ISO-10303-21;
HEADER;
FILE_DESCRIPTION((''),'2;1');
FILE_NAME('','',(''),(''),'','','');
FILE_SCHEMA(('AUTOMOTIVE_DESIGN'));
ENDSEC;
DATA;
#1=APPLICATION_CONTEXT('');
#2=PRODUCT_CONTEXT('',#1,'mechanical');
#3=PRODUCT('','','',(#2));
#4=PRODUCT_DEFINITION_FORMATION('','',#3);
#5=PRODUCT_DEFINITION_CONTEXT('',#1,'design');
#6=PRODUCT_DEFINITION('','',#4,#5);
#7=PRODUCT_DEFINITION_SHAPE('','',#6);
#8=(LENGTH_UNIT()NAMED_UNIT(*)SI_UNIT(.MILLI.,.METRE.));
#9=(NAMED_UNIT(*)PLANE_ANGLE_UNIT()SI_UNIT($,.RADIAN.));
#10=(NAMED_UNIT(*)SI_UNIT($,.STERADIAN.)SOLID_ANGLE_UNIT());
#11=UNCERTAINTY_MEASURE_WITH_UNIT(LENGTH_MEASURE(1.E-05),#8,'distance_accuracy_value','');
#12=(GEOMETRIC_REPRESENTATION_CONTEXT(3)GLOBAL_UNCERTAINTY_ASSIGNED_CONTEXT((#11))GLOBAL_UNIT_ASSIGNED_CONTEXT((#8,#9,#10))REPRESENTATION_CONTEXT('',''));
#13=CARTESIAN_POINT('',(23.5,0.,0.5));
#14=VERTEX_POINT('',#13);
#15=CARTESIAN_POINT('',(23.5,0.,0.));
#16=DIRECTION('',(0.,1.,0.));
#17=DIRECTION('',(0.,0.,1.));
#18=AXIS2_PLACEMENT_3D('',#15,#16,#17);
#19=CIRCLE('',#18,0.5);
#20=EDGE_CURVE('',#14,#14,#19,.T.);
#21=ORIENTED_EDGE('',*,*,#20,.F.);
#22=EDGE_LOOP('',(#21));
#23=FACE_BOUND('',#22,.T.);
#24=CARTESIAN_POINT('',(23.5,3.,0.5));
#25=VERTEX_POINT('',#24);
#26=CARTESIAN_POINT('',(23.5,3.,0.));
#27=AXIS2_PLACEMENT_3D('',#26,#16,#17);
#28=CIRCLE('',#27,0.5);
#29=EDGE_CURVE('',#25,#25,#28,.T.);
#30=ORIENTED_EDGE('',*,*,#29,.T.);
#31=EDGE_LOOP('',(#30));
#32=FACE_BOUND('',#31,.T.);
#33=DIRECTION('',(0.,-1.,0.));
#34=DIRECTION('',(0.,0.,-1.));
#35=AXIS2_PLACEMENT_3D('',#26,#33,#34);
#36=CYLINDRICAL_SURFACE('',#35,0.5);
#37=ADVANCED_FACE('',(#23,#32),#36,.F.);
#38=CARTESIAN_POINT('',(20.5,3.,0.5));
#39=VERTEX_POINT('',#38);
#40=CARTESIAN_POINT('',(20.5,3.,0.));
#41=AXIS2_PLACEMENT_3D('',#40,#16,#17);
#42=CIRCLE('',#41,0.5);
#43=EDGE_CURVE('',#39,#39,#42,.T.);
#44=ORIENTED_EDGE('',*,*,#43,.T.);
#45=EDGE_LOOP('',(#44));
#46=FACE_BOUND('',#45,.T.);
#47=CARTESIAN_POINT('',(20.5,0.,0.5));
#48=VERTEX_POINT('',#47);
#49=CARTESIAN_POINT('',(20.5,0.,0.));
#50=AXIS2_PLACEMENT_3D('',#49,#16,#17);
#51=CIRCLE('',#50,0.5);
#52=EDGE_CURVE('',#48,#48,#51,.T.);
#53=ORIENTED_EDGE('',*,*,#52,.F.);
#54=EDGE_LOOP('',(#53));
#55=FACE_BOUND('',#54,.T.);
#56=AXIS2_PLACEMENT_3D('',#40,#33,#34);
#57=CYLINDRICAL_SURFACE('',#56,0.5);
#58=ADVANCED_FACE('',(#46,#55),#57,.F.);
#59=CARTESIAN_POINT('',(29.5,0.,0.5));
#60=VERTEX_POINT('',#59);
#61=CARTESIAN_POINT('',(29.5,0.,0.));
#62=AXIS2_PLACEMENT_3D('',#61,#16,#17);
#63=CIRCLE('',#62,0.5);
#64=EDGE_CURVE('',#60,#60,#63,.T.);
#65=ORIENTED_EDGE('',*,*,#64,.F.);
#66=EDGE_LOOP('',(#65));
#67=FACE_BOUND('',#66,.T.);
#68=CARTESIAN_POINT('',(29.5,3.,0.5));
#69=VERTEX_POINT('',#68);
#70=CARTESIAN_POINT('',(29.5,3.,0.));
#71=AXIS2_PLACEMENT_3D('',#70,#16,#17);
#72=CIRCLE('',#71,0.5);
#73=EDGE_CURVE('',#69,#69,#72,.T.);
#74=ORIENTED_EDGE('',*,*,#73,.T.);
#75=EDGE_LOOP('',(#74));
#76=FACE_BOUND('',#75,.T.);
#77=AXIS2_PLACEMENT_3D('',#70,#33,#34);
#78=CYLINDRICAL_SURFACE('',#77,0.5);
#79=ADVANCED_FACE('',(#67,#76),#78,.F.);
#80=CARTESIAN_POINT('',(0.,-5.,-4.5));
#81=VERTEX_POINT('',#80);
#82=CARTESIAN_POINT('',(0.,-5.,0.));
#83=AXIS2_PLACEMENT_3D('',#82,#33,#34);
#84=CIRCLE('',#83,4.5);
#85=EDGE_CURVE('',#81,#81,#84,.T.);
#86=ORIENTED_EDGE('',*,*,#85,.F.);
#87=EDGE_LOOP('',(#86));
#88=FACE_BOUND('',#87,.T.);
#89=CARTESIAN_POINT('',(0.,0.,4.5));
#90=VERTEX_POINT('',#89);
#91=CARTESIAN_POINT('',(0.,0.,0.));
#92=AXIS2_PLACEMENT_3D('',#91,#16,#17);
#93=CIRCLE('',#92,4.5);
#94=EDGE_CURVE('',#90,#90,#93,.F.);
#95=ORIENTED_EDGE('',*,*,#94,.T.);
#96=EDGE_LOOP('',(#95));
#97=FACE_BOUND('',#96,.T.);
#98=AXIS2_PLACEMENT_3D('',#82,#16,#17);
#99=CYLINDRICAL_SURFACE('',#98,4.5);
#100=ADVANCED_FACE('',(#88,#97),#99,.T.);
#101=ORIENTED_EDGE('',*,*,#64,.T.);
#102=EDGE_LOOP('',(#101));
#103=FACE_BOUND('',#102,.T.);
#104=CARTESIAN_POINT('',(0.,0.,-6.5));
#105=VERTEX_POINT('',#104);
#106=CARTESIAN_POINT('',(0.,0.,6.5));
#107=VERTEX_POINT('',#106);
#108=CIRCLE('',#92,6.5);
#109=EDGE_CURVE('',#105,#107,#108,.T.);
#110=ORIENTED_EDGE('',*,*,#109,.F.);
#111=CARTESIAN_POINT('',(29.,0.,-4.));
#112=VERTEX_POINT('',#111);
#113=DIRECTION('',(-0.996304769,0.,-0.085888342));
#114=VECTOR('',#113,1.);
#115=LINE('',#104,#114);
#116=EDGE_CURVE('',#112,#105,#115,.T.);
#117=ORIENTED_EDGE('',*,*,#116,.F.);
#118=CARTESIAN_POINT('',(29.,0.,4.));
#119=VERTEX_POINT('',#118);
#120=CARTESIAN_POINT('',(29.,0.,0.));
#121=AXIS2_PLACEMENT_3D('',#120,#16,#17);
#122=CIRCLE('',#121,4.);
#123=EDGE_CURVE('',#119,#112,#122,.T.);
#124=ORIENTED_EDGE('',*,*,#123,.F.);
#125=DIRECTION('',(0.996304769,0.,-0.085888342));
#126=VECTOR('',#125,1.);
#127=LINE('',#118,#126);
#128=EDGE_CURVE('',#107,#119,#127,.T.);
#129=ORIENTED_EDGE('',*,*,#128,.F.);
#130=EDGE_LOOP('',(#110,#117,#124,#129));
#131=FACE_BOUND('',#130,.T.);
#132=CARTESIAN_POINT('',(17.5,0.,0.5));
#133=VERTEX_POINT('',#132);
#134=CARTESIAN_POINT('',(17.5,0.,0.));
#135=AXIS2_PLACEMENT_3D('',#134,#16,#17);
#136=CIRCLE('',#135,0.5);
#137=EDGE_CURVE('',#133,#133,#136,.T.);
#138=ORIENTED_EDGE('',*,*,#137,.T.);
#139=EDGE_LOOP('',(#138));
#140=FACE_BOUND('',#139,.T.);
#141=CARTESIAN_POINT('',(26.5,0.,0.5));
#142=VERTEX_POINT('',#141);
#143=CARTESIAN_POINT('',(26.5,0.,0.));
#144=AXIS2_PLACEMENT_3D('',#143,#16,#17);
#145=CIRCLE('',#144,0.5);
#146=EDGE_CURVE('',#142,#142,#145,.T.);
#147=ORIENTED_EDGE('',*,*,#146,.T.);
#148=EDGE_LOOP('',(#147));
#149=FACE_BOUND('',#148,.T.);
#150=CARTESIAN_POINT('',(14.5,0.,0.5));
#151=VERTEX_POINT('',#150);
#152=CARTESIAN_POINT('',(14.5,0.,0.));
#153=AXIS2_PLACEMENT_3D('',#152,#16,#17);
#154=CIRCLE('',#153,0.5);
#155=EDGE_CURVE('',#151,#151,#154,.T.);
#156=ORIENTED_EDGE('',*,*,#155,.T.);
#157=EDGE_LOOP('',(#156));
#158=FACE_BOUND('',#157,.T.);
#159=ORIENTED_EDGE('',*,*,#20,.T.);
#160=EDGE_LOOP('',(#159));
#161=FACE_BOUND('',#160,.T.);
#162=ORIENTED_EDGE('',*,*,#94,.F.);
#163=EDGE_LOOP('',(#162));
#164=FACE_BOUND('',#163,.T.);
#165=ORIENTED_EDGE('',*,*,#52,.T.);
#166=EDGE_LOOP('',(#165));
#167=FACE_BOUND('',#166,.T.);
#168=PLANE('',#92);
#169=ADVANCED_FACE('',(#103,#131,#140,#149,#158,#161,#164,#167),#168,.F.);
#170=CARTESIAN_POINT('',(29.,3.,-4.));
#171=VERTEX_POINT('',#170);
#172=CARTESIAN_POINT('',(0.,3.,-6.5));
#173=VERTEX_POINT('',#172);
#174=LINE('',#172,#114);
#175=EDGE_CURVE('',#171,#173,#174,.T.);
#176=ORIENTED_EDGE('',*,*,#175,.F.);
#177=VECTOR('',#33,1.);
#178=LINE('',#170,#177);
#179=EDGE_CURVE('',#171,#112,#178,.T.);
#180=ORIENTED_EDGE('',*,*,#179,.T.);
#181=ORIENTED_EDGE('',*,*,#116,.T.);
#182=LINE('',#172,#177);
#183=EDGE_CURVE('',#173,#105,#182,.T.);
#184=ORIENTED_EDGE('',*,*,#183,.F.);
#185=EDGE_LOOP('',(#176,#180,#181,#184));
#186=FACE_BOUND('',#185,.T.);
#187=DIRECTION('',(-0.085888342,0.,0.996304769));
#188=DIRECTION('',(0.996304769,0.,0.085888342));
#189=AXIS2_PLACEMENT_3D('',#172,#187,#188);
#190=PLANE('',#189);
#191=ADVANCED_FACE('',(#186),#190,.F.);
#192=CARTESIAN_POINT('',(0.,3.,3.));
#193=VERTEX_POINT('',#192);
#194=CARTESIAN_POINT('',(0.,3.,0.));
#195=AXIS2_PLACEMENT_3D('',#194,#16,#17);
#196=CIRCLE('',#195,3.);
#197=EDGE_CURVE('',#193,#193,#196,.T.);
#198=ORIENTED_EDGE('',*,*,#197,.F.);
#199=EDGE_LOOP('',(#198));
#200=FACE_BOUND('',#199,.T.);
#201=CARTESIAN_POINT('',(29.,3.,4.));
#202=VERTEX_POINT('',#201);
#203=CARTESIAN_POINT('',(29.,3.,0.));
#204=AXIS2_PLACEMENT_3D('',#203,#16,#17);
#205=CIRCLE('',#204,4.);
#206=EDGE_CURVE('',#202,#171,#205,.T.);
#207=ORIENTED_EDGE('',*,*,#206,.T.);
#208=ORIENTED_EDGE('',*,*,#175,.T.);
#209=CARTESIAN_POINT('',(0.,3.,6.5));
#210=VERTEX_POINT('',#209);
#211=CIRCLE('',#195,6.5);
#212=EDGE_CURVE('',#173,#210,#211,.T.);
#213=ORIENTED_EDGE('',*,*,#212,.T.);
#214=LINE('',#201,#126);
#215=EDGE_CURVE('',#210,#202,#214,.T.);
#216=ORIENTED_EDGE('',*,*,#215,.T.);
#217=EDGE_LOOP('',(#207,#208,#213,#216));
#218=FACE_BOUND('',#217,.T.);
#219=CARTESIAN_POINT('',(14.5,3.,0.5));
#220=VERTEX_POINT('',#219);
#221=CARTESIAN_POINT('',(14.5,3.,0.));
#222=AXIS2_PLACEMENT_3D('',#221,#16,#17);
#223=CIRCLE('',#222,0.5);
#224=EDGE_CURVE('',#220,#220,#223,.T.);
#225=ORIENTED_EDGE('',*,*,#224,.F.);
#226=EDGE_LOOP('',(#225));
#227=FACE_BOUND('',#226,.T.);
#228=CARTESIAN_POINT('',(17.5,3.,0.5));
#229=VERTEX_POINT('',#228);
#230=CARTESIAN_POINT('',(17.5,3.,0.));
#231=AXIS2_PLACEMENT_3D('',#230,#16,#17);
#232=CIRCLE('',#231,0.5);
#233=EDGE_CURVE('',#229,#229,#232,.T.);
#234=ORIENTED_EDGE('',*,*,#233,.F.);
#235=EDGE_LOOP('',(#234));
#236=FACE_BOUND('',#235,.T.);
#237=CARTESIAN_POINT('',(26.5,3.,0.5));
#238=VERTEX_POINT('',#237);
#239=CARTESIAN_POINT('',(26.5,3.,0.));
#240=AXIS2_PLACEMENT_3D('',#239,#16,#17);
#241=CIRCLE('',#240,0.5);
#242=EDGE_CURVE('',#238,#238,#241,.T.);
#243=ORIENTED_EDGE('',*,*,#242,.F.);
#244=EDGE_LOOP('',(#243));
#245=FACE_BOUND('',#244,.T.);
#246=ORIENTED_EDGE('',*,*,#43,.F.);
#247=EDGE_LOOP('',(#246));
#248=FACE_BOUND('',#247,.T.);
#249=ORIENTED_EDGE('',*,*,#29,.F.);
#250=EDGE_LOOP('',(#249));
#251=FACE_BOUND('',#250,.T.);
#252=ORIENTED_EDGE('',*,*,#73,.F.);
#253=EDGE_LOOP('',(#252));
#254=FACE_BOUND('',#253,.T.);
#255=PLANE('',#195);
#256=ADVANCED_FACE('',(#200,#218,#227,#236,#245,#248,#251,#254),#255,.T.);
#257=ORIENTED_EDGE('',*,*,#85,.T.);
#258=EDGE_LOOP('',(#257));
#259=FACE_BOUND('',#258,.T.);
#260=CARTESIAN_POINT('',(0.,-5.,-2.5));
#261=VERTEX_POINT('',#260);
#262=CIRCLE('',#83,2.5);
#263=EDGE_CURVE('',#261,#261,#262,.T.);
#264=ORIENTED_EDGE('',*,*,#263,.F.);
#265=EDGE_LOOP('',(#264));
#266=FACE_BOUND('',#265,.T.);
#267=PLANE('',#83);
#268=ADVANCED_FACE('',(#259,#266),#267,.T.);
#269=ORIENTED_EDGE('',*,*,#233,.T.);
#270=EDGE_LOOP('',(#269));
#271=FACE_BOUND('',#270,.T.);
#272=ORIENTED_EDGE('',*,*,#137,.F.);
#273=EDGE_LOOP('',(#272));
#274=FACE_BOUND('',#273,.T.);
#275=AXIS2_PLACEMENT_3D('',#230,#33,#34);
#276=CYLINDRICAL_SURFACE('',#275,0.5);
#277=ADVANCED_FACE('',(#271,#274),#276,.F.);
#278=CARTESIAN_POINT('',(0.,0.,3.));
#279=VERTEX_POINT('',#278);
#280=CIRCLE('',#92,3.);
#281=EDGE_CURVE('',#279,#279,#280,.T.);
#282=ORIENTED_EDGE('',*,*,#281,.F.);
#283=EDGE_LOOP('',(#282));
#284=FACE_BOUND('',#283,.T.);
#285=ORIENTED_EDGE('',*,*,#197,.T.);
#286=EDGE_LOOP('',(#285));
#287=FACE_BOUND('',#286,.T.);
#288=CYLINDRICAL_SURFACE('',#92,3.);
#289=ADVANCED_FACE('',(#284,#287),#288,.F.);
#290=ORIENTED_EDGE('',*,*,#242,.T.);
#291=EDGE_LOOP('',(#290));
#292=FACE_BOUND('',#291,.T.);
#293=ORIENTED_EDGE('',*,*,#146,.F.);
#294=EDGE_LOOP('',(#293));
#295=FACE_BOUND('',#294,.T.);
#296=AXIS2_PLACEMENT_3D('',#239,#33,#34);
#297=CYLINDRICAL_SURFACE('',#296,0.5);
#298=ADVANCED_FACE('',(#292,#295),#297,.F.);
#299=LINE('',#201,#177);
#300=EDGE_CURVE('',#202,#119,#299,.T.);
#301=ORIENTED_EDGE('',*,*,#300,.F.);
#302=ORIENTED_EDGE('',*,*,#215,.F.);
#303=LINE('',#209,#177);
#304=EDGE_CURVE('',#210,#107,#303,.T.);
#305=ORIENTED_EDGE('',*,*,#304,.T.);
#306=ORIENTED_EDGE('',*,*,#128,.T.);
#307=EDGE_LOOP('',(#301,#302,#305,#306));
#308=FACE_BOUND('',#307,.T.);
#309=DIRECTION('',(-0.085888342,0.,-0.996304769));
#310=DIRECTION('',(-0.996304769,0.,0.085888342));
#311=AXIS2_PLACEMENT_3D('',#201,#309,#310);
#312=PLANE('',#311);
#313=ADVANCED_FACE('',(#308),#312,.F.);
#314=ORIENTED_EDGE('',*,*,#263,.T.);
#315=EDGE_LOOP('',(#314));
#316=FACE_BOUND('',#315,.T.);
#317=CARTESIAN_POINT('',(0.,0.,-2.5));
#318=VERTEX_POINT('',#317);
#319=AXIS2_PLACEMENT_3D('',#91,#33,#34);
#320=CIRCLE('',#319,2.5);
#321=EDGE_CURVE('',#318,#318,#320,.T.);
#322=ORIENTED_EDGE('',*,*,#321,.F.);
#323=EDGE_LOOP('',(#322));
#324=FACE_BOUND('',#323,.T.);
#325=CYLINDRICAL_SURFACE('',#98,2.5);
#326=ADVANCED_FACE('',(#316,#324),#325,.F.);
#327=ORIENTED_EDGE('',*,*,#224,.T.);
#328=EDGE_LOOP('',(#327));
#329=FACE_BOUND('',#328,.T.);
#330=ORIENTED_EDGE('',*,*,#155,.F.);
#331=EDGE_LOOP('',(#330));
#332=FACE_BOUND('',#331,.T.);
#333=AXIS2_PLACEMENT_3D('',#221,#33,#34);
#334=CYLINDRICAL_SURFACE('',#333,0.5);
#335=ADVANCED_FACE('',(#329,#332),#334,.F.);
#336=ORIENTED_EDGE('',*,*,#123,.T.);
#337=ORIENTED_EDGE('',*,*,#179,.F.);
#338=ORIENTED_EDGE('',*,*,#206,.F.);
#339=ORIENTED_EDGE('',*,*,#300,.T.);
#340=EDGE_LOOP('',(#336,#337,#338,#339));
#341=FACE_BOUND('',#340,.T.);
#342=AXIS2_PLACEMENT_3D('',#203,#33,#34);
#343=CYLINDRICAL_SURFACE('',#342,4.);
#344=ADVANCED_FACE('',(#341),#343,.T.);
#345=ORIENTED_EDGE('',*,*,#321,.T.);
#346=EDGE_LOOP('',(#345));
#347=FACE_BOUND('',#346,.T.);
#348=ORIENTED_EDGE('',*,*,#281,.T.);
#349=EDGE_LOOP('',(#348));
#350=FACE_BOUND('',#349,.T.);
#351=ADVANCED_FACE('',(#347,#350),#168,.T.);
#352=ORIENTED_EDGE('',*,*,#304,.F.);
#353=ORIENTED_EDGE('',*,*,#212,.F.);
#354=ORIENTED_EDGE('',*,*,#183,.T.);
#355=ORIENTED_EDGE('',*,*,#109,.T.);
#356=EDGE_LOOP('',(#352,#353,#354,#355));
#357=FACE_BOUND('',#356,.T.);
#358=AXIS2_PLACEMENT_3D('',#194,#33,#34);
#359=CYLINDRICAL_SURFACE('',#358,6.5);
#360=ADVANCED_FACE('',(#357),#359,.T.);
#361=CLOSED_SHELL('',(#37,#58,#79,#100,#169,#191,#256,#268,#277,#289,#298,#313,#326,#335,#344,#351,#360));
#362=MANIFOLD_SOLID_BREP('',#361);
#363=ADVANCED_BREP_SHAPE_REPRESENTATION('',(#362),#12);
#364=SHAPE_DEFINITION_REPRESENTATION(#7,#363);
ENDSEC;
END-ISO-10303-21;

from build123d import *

# Parameters (mm, degrees)
SKETCH1_R           = 0.5
BOSS_EXTRUDE1_DEPTH = 3
SKETCH3_R           = 4.5
SKETCH3_R_2         = 2.5
BOSS_EXTRUDE2_DEPTH = 5
SKETCH4_R           = 3
CUT_EXTRUDE1_DEPTH  = 3


with BuildPart() as part:
    # Sketch1 → Boss-Extrude1 (new body)
    with BuildSketch(Plane(origin=(0, 0, 0), x_dir=(1, 0, 0), z_dir=(0, 1, 0))):
        with BuildLine():
            Line((0, 6.5), (29, 4))
            ThreePointArc((29, 4), (33, 0), (29, -4))
            Line((29, -4), (0, -6.5))
            ThreePointArc((0, -6.5), (-6.5, 0), (0, 6.5))
        make_face()
        with Locations(Location((14.5, 0, 0), (0, 0, 270))):
            Circle(SKETCH1_R, mode=Mode.SUBTRACT)
        with Locations(Location((17.5, 0, 0), (0, 0, 270))):
            Circle(SKETCH1_R, mode=Mode.SUBTRACT)
        with Locations(Location((20.5, 0, 0), (0, 0, 270))):
            Circle(SKETCH1_R, mode=Mode.SUBTRACT)
        with Locations(Location((23.5, 0, 0), (0, 0, 270))):
            Circle(SKETCH1_R, mode=Mode.SUBTRACT)
        with Locations(Location((26.5, 0, 0), (0, 0, 270))):
            Circle(SKETCH1_R, mode=Mode.SUBTRACT)
        with Locations(Location((29.5, 0, 0), (0, 0, 270))):
            Circle(SKETCH1_R, mode=Mode.SUBTRACT)
    extrude(amount=BOSS_EXTRUDE1_DEPTH)

    # Sketch3 → Boss-Extrude2 (add)
    with BuildSketch(Plane.XZ):
        with Locations(Location((0, 0, 0), (0, 0, 90))):
            Circle(SKETCH3_R)
        with Locations(Location((0, 0, 0), (0, 0, 270))):
            Circle(SKETCH3_R_2, mode=Mode.SUBTRACT)
    extrude(amount=BOSS_EXTRUDE2_DEPTH)

    # Sketch4 → Cut-Extrude1 (cut)
    with BuildSketch(Plane(origin=(0, 3, 0), x_dir=(1, 0, 0), z_dir=(0, 1, 0))):
        with Locations(Location((0, 0, 0), (0, 0, 270))):
            Circle(SKETCH4_R)
    extrude(amount=-CUT_EXTRUDE1_DEPTH, mode=Mode.SUBTRACT)


solid = part.part
